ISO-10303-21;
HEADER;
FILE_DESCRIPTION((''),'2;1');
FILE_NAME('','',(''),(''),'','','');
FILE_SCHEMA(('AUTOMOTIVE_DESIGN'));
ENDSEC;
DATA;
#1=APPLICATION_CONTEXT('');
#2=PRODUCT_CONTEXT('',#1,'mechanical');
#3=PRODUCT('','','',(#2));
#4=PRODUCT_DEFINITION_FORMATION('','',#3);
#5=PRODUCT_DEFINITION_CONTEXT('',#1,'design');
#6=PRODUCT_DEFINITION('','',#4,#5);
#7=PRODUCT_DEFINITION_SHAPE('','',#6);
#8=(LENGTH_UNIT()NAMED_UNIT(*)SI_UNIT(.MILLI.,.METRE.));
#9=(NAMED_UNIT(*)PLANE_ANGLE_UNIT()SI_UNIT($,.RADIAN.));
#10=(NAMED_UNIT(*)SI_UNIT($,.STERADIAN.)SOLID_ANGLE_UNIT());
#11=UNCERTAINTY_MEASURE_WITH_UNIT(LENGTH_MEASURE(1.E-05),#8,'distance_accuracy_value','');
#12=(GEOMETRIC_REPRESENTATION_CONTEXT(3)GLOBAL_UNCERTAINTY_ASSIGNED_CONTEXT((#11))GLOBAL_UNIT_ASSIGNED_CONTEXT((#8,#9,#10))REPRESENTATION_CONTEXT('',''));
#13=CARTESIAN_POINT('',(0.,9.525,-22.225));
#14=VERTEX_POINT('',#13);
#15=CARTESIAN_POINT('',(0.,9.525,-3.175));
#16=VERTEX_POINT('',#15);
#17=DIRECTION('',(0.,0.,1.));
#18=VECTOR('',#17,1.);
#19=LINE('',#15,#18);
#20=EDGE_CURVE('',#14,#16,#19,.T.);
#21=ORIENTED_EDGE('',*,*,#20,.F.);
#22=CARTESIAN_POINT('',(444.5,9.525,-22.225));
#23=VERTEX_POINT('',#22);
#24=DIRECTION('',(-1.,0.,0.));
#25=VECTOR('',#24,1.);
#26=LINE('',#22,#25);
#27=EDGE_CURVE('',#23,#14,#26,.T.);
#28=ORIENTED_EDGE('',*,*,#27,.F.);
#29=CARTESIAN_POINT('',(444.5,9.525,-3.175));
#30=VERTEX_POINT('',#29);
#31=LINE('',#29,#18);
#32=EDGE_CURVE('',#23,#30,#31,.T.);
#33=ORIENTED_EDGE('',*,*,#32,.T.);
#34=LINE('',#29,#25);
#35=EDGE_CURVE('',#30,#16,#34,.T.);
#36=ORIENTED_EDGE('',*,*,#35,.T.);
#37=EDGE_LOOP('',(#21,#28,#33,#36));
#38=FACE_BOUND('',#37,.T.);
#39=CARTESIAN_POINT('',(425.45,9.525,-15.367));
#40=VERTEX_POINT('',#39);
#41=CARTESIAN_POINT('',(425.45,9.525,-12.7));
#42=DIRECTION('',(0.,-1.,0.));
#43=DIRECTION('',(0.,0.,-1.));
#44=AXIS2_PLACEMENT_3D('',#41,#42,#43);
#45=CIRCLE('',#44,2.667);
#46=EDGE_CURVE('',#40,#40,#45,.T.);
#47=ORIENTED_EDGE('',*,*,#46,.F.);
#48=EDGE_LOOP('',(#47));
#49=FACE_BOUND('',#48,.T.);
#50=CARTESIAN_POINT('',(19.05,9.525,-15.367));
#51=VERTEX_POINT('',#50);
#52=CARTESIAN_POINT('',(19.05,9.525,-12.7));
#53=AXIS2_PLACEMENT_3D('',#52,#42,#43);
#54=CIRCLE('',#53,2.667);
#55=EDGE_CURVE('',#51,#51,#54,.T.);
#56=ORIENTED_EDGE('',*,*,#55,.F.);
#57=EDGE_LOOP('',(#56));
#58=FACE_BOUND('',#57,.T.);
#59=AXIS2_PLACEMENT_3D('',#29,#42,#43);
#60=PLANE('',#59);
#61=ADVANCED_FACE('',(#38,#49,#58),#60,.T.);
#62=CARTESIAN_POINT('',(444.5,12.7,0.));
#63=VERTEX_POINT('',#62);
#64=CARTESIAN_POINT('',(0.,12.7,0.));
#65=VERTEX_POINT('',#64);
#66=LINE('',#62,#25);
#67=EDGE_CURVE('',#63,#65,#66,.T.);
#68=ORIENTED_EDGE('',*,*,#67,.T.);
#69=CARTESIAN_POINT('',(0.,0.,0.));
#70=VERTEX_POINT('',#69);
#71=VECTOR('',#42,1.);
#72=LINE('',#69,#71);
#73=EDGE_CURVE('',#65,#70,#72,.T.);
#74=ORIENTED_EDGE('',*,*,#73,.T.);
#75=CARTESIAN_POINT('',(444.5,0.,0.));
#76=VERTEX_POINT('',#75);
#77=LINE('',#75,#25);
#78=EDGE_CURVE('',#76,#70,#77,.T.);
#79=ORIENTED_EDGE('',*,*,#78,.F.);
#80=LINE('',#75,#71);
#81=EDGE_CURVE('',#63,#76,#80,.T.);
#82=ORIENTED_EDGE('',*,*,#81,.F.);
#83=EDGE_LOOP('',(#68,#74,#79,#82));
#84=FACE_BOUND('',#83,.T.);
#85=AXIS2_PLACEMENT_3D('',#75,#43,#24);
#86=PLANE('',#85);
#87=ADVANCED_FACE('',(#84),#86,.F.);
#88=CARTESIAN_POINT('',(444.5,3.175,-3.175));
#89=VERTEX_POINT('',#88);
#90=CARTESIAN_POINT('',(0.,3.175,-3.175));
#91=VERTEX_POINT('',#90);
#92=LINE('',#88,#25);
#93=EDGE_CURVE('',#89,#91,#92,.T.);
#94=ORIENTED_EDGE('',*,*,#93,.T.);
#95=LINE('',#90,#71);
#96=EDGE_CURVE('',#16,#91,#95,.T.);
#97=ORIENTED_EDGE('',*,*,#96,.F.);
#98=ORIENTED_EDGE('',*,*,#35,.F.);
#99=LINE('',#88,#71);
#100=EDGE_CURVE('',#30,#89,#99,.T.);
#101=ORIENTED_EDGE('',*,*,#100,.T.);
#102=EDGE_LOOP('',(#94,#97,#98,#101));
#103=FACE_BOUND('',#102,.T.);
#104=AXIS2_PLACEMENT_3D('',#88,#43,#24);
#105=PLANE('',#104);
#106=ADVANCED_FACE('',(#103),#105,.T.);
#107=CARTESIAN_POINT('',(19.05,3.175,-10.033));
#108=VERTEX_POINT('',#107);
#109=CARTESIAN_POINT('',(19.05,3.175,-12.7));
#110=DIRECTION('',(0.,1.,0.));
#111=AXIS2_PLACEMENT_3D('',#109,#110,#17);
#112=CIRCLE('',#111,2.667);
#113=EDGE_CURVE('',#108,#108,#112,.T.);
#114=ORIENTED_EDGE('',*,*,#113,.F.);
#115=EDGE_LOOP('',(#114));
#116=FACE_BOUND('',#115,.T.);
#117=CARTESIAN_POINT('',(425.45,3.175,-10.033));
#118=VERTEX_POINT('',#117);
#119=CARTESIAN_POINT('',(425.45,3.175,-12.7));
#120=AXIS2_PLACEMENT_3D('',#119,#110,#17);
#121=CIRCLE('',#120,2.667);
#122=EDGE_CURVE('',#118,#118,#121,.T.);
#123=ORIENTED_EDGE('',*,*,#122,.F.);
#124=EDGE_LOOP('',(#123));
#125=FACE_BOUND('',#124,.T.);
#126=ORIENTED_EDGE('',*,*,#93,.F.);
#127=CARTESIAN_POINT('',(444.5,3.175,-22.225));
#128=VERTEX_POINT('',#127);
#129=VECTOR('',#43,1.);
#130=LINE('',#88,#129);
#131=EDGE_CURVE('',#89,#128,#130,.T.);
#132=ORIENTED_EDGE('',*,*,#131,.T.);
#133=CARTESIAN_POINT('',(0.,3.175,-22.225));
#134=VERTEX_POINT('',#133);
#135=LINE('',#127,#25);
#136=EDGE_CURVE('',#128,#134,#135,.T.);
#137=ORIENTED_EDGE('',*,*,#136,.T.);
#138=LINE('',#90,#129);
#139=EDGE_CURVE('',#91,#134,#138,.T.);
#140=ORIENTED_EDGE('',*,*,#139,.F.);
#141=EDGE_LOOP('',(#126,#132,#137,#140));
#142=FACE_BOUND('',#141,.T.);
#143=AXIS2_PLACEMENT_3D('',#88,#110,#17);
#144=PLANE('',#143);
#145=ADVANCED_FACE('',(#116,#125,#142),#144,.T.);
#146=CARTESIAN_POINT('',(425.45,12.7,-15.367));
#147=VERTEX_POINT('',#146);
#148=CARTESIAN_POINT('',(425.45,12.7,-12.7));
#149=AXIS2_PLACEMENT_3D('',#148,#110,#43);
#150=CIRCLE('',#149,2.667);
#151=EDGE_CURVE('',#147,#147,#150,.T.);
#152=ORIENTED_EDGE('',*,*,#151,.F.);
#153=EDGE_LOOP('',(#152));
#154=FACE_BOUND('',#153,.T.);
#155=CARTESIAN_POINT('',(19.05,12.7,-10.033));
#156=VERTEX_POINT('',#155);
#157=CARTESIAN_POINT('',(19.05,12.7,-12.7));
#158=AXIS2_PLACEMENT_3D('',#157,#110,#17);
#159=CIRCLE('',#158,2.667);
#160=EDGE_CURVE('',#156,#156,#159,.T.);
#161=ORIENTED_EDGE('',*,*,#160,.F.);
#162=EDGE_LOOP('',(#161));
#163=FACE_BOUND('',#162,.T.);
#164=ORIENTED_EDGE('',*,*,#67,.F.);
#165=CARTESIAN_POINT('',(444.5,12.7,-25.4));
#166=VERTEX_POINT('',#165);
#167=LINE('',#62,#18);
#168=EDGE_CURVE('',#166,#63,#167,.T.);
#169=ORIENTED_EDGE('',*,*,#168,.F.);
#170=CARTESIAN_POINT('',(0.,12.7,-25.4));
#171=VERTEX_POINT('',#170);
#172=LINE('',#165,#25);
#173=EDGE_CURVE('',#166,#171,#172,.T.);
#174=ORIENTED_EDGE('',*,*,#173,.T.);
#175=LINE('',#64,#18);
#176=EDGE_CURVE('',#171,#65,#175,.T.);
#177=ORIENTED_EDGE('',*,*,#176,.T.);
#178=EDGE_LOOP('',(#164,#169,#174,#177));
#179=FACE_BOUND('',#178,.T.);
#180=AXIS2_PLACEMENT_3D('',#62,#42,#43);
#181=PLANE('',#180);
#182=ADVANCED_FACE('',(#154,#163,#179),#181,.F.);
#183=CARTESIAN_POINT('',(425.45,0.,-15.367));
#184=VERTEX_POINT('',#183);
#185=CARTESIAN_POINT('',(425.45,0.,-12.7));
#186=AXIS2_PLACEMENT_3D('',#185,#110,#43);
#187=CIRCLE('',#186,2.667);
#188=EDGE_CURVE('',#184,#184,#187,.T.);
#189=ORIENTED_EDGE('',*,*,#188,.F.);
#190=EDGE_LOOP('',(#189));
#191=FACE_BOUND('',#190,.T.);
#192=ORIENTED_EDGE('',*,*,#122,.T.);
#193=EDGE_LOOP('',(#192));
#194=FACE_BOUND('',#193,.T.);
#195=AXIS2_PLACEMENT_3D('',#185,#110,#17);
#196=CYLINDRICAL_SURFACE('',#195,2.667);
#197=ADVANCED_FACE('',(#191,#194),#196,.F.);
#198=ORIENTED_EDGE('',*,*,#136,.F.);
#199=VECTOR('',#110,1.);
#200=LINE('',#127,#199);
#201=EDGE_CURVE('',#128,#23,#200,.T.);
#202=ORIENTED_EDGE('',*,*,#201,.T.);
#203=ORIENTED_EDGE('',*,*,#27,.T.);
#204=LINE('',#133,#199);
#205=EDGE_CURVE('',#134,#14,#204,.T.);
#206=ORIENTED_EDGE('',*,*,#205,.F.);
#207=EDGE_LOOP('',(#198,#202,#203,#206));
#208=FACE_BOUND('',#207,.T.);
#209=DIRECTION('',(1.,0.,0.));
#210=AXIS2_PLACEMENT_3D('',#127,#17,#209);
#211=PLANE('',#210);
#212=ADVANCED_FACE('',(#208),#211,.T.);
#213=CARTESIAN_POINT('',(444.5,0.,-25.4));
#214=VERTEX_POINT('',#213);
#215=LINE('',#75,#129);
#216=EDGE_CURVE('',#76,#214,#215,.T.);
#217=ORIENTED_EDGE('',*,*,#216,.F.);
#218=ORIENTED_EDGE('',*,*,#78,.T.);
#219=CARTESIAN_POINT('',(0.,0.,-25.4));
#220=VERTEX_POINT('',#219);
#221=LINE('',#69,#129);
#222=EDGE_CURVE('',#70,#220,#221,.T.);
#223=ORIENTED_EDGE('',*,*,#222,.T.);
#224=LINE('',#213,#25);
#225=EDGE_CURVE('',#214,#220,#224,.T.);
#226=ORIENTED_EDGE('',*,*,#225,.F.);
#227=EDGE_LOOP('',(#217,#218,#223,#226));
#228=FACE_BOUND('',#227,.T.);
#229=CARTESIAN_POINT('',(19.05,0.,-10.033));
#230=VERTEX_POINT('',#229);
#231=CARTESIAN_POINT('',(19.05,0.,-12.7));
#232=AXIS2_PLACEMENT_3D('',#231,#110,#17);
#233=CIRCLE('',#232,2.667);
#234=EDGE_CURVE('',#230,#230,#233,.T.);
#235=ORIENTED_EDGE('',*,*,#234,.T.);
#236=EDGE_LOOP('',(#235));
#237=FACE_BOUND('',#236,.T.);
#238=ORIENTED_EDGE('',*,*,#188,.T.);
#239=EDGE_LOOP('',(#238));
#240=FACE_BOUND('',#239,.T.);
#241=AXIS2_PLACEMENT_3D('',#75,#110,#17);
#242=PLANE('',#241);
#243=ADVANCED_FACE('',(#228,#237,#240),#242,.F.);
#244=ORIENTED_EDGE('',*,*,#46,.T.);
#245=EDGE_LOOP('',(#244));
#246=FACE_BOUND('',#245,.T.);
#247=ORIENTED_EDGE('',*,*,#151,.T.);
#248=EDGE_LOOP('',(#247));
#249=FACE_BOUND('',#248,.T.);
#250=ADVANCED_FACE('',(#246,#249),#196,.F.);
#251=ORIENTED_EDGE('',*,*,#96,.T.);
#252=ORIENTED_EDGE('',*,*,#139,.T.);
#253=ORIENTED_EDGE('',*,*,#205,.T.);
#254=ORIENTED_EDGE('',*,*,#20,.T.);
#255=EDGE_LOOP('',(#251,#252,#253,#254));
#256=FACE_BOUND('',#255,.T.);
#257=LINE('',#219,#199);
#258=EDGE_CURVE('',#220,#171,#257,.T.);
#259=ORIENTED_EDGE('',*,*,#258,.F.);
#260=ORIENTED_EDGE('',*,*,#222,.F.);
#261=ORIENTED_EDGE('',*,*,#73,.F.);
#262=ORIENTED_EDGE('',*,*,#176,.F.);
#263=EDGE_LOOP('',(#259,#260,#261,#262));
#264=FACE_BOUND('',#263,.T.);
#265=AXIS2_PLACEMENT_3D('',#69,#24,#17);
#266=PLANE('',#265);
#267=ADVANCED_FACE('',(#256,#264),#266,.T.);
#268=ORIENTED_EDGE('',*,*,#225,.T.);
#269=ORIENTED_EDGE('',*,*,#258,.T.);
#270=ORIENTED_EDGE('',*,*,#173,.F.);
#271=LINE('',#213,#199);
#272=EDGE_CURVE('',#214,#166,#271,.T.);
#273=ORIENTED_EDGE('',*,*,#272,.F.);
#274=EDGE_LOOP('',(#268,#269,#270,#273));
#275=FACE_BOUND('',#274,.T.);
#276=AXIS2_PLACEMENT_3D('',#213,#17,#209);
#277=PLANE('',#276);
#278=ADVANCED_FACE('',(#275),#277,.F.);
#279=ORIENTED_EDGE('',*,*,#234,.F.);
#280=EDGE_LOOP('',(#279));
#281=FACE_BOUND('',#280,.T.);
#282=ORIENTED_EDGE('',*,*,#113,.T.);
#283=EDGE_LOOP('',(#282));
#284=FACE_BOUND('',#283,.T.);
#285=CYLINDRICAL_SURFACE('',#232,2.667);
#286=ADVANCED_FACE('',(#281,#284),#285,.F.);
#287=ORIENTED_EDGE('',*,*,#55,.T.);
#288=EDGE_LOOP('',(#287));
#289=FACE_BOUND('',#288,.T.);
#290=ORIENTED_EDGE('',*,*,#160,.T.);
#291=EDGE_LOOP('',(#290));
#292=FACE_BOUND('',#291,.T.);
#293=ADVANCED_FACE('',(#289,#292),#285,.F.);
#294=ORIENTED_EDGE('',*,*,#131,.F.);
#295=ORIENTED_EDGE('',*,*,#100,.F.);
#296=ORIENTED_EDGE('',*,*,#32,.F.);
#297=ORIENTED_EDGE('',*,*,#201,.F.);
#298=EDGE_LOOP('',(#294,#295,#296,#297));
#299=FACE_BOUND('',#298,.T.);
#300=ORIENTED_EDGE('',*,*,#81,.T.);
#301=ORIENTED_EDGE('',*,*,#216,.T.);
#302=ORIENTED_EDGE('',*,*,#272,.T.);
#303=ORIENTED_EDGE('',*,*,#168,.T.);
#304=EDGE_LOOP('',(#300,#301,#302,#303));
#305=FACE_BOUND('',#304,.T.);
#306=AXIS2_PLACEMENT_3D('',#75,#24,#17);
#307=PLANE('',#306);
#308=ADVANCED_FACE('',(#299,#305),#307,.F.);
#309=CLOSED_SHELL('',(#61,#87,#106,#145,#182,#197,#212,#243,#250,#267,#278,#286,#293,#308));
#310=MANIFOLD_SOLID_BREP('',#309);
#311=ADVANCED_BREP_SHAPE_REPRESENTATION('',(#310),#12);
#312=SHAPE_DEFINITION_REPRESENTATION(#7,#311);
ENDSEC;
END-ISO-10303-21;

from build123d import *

# Parameters (mm, degrees)
SKETCH1_W           = 25.4
SKETCH1_H           = 12.7
SKETCH1_W_2         = 19.05
SKETCH1_H_2         = 6.35
BOSS_EXTRUDE1_DEPTH = 444.5
SKETCH2_R           = 2.667
CUT_EXTRUDE1_DEPTH  = 13.7


with BuildPart() as part:
    # Sketch1 → Boss-Extrude1 (new body)
    with BuildSketch(Plane(origin=(0, 0, 0), x_dir=(0, 0, -1), z_dir=(1, 0, 0))):
        with Locations((12.7, 6.35)):
            Rectangle(SKETCH1_W, SKETCH1_H)
        with Locations((12.7, 6.35)):
            Rectangle(SKETCH1_W_2, SKETCH1_H_2, mode=Mode.SUBTRACT)
    extrude(amount=BOSS_EXTRUDE1_DEPTH)

    # Sketch2 → Cut-Extrude1 (cut, through all)
    with BuildSketch(Plane(origin=(0, 12.7, 0), x_dir=(1, 0, 0), z_dir=(0, 1, 0))):
        with Locations((19.05, 12.7)):
            Circle(SKETCH2_R)
        with Locations((425.45, 12.7)):
            Circle(SKETCH2_R)
    extrude(amount=-CUT_EXTRUDE1_DEPTH, mode=Mode.SUBTRACT)


solid = part.part
